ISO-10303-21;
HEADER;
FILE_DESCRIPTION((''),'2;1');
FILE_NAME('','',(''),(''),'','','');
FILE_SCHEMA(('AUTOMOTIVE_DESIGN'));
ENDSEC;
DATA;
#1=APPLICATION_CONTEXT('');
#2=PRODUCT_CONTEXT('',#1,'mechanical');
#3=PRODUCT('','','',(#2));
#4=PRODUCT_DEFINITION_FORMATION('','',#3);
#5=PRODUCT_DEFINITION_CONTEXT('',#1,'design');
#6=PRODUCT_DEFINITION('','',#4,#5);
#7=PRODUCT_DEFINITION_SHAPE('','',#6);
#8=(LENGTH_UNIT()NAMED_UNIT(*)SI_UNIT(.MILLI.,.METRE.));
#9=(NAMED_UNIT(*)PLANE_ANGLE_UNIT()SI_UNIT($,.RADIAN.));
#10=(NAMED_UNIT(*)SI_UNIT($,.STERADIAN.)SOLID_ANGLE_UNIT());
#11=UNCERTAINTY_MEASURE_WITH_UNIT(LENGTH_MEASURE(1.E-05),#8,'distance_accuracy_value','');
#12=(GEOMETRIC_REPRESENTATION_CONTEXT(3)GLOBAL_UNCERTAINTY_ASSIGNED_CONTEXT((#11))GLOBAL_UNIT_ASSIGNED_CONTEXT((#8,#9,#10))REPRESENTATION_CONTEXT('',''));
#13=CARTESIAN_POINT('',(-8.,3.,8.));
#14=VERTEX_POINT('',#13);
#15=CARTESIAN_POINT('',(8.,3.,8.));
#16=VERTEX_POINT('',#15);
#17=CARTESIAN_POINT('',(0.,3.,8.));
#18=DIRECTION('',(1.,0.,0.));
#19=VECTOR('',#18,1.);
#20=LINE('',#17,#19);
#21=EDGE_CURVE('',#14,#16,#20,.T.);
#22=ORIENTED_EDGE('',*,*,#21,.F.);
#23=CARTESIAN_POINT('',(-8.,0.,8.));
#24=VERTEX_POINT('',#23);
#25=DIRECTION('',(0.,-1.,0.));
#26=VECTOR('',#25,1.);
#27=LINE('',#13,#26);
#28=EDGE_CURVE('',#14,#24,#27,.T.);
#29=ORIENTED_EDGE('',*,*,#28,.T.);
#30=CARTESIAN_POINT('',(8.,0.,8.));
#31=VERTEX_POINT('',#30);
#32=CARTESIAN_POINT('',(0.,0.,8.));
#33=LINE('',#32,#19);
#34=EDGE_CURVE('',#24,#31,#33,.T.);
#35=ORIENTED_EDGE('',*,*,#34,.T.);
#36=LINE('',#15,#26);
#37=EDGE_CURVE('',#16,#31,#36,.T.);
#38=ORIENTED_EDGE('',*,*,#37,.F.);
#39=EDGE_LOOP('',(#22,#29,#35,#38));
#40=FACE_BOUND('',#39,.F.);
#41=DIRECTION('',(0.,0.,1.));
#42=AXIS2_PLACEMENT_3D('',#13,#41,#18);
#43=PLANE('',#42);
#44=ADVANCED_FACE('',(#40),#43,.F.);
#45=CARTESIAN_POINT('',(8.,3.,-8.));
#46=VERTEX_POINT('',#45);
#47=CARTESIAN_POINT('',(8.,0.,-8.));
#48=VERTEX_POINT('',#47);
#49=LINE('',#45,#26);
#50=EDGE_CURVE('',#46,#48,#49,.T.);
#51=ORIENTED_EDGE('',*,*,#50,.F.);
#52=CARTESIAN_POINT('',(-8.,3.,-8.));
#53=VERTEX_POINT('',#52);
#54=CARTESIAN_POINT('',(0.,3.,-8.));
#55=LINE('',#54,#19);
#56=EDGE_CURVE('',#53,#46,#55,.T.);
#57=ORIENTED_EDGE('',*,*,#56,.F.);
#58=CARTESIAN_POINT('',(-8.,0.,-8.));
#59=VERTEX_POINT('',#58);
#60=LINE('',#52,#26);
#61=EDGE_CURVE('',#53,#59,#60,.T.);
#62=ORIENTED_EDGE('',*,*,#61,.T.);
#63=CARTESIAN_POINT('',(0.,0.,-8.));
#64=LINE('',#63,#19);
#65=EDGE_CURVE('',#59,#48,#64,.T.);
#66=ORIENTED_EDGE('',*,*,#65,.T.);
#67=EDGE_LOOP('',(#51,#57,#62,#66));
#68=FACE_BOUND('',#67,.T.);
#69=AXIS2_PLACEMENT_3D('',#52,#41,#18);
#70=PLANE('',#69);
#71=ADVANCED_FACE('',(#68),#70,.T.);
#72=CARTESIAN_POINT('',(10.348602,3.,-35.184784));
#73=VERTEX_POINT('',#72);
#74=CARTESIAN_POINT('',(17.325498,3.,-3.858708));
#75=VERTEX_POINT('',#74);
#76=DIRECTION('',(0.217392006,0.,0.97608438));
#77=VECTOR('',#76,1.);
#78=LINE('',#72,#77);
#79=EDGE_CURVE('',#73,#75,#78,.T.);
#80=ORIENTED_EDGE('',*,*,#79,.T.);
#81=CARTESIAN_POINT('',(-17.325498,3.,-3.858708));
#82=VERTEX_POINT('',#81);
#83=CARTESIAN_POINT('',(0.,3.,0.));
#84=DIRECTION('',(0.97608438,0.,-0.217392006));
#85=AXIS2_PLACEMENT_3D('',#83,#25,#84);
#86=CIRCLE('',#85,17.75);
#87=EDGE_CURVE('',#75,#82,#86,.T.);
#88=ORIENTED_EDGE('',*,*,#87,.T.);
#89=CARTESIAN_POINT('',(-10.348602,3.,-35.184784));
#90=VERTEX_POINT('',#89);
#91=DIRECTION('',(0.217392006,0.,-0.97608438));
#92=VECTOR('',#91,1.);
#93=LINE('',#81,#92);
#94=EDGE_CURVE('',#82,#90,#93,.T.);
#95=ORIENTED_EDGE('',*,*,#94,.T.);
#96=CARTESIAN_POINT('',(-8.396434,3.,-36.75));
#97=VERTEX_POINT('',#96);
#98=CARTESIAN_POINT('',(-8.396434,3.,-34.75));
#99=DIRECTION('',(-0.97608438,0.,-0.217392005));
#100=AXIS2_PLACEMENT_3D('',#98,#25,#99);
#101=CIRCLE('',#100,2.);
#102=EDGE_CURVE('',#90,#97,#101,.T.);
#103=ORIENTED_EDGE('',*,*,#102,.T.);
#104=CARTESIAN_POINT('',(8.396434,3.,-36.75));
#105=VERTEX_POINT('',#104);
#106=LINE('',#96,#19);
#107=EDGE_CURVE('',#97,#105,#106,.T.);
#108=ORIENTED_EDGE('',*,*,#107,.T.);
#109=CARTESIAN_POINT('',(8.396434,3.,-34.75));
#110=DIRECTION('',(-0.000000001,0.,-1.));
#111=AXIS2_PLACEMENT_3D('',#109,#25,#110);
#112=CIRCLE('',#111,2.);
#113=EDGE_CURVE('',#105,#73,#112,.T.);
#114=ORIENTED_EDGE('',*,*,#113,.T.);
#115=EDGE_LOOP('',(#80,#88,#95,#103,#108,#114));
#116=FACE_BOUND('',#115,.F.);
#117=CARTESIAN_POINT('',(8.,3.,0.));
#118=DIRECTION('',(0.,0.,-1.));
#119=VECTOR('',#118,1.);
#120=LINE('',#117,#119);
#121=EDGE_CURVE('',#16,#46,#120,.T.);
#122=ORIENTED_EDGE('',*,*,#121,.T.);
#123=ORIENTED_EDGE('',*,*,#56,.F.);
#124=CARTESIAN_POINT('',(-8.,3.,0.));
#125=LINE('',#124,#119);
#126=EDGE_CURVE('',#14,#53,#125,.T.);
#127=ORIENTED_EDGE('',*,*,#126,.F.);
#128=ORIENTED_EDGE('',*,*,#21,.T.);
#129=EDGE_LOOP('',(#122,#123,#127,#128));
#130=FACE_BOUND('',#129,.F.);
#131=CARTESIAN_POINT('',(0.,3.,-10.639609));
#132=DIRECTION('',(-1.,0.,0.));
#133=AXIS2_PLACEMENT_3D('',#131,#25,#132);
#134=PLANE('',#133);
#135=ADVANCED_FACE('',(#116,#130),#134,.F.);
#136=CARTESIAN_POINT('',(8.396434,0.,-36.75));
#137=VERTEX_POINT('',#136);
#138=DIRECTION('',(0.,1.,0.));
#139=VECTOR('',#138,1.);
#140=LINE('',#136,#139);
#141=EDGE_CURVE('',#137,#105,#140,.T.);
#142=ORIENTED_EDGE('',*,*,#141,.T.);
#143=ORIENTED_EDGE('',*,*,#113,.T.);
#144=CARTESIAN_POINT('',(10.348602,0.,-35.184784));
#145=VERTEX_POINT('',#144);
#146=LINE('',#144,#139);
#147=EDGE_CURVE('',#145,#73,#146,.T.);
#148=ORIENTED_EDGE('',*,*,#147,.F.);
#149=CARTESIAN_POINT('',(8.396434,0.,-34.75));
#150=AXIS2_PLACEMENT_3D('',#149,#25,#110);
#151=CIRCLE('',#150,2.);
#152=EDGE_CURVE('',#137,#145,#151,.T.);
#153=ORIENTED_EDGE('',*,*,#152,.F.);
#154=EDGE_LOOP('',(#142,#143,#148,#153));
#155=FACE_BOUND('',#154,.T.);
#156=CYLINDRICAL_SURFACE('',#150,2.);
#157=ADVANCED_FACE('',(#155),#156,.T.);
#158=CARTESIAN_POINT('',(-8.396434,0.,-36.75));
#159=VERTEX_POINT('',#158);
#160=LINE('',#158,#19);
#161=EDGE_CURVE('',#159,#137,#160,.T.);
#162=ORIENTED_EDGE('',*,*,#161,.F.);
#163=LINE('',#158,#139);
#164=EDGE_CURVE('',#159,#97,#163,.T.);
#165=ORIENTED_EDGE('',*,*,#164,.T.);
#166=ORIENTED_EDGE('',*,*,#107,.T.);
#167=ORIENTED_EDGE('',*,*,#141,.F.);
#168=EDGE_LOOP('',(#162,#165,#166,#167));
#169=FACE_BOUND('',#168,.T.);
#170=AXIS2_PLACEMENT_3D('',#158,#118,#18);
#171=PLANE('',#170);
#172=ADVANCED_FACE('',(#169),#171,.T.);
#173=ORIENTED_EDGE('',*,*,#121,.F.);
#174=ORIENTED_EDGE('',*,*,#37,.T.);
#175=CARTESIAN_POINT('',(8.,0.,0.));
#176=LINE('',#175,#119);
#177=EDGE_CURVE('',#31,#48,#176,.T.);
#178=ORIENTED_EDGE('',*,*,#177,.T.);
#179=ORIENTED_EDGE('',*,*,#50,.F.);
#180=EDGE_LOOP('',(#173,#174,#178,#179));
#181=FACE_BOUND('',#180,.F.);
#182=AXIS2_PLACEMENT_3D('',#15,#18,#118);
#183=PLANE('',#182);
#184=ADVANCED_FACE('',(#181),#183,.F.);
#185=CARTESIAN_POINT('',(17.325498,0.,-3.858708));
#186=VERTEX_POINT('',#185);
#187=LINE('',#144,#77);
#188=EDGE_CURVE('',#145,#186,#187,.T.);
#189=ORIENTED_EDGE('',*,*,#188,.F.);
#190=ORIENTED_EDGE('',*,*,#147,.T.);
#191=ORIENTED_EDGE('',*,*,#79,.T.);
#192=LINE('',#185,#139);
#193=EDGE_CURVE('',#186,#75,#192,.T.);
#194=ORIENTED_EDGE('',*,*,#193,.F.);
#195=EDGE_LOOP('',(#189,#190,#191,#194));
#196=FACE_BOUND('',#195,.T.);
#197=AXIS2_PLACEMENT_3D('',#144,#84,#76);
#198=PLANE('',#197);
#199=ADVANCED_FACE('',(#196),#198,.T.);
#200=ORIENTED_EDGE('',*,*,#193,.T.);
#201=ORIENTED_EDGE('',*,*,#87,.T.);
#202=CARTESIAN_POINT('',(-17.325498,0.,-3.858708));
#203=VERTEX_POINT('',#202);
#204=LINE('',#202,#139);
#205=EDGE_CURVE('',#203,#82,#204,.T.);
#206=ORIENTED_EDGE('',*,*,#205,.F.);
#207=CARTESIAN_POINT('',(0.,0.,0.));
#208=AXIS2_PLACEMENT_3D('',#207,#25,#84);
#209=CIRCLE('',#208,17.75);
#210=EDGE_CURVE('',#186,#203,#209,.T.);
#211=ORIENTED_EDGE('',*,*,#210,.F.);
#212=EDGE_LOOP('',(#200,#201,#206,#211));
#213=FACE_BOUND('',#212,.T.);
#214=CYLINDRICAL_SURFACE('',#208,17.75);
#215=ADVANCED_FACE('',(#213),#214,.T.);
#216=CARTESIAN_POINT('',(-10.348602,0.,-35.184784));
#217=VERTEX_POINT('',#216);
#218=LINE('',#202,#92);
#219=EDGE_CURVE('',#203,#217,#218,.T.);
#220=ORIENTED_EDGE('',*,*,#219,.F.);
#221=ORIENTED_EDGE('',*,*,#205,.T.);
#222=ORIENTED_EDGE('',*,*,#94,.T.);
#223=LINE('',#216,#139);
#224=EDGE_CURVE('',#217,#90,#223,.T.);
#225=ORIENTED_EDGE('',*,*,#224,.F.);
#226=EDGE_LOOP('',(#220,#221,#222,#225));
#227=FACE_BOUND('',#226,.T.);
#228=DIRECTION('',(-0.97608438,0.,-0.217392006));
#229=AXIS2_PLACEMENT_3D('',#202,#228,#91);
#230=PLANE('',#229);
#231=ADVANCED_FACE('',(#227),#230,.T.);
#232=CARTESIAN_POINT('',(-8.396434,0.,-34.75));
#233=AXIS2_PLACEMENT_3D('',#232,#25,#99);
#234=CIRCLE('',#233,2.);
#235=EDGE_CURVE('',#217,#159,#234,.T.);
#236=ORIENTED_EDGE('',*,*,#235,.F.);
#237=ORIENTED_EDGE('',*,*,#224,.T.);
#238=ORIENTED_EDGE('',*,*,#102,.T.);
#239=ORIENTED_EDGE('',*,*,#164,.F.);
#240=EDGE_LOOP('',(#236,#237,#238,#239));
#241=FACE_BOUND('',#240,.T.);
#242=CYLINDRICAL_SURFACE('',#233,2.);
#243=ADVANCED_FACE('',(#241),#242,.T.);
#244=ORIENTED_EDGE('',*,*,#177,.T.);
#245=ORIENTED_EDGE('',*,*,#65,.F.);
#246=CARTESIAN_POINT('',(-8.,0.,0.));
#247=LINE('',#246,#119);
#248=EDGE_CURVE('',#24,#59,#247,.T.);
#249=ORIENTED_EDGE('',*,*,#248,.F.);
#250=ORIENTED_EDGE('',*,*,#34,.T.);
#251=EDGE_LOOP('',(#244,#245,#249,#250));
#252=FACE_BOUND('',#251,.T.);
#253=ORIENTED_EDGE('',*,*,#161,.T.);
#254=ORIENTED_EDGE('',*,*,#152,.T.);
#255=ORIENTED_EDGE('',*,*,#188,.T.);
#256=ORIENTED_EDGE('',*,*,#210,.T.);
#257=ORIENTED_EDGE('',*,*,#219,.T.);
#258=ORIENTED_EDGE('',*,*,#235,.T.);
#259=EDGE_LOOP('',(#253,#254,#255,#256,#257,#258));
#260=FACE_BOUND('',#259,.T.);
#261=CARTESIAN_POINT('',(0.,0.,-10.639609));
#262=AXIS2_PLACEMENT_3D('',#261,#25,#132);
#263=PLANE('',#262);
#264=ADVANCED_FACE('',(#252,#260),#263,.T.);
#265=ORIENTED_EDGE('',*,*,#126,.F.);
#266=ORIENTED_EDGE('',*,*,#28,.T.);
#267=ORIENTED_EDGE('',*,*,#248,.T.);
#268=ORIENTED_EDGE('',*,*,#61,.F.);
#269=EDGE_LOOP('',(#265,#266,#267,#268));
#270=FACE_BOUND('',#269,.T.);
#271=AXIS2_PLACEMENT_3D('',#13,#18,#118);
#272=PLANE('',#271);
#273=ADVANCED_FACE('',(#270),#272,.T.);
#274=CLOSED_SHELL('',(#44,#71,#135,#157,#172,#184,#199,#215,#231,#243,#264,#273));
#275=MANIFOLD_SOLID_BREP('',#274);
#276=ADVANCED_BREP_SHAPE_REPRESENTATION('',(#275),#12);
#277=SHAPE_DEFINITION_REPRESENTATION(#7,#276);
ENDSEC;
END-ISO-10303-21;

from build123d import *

# Parameters (mm, degrees)
BOSS_EXTRUDE1_DEPTH = 3
SKETCH2_W           = 16
SKETCH2_H           = 16
CUT_EXTRUDE1_DEPTH  = 3


with BuildPart() as part:
    # Sketch1 → Boss-Extrude1 (new body)
    with BuildSketch(Plane(origin=(0, 0, 0), x_dir=(1, 0, 0), z_dir=(0, 1, 0))):
        with BuildLine():
            Line((-8.396433729, 36.75), (8.396433729, 36.75))
            ThreePointArc((8.396433729, 36.75), (9.647519653, 36.310379445), (10.348602488, 35.184784011))
            Line((10.348602488, 35.184784011), (17.325497736, 3.858708099))
            ThreePointArc((17.325497736, 3.858708099), (0, -17.75), (-17.325497736, 3.858708099))
            Line((-17.325497736, 3.858708099), (-10.348602488, 35.184784011))
            ThreePointArc((-10.348602488, 35.184784011), (-9.647519653, 36.310379445), (-8.396433729, 36.75))
        make_face()
    extrude(amount=BOSS_EXTRUDE1_DEPTH)

    # Sketch2 → Cut-Extrude1 (cut)
    with BuildSketch(Plane(origin=(0, 3, 0), x_dir=(1, 0, 0), z_dir=(0, 1, 0))):
        Rectangle(SKETCH2_W, SKETCH2_H)
    extrude(amount=-CUT_EXTRUDE1_DEPTH, mode=Mode.SUBTRACT)


solid = part.part
